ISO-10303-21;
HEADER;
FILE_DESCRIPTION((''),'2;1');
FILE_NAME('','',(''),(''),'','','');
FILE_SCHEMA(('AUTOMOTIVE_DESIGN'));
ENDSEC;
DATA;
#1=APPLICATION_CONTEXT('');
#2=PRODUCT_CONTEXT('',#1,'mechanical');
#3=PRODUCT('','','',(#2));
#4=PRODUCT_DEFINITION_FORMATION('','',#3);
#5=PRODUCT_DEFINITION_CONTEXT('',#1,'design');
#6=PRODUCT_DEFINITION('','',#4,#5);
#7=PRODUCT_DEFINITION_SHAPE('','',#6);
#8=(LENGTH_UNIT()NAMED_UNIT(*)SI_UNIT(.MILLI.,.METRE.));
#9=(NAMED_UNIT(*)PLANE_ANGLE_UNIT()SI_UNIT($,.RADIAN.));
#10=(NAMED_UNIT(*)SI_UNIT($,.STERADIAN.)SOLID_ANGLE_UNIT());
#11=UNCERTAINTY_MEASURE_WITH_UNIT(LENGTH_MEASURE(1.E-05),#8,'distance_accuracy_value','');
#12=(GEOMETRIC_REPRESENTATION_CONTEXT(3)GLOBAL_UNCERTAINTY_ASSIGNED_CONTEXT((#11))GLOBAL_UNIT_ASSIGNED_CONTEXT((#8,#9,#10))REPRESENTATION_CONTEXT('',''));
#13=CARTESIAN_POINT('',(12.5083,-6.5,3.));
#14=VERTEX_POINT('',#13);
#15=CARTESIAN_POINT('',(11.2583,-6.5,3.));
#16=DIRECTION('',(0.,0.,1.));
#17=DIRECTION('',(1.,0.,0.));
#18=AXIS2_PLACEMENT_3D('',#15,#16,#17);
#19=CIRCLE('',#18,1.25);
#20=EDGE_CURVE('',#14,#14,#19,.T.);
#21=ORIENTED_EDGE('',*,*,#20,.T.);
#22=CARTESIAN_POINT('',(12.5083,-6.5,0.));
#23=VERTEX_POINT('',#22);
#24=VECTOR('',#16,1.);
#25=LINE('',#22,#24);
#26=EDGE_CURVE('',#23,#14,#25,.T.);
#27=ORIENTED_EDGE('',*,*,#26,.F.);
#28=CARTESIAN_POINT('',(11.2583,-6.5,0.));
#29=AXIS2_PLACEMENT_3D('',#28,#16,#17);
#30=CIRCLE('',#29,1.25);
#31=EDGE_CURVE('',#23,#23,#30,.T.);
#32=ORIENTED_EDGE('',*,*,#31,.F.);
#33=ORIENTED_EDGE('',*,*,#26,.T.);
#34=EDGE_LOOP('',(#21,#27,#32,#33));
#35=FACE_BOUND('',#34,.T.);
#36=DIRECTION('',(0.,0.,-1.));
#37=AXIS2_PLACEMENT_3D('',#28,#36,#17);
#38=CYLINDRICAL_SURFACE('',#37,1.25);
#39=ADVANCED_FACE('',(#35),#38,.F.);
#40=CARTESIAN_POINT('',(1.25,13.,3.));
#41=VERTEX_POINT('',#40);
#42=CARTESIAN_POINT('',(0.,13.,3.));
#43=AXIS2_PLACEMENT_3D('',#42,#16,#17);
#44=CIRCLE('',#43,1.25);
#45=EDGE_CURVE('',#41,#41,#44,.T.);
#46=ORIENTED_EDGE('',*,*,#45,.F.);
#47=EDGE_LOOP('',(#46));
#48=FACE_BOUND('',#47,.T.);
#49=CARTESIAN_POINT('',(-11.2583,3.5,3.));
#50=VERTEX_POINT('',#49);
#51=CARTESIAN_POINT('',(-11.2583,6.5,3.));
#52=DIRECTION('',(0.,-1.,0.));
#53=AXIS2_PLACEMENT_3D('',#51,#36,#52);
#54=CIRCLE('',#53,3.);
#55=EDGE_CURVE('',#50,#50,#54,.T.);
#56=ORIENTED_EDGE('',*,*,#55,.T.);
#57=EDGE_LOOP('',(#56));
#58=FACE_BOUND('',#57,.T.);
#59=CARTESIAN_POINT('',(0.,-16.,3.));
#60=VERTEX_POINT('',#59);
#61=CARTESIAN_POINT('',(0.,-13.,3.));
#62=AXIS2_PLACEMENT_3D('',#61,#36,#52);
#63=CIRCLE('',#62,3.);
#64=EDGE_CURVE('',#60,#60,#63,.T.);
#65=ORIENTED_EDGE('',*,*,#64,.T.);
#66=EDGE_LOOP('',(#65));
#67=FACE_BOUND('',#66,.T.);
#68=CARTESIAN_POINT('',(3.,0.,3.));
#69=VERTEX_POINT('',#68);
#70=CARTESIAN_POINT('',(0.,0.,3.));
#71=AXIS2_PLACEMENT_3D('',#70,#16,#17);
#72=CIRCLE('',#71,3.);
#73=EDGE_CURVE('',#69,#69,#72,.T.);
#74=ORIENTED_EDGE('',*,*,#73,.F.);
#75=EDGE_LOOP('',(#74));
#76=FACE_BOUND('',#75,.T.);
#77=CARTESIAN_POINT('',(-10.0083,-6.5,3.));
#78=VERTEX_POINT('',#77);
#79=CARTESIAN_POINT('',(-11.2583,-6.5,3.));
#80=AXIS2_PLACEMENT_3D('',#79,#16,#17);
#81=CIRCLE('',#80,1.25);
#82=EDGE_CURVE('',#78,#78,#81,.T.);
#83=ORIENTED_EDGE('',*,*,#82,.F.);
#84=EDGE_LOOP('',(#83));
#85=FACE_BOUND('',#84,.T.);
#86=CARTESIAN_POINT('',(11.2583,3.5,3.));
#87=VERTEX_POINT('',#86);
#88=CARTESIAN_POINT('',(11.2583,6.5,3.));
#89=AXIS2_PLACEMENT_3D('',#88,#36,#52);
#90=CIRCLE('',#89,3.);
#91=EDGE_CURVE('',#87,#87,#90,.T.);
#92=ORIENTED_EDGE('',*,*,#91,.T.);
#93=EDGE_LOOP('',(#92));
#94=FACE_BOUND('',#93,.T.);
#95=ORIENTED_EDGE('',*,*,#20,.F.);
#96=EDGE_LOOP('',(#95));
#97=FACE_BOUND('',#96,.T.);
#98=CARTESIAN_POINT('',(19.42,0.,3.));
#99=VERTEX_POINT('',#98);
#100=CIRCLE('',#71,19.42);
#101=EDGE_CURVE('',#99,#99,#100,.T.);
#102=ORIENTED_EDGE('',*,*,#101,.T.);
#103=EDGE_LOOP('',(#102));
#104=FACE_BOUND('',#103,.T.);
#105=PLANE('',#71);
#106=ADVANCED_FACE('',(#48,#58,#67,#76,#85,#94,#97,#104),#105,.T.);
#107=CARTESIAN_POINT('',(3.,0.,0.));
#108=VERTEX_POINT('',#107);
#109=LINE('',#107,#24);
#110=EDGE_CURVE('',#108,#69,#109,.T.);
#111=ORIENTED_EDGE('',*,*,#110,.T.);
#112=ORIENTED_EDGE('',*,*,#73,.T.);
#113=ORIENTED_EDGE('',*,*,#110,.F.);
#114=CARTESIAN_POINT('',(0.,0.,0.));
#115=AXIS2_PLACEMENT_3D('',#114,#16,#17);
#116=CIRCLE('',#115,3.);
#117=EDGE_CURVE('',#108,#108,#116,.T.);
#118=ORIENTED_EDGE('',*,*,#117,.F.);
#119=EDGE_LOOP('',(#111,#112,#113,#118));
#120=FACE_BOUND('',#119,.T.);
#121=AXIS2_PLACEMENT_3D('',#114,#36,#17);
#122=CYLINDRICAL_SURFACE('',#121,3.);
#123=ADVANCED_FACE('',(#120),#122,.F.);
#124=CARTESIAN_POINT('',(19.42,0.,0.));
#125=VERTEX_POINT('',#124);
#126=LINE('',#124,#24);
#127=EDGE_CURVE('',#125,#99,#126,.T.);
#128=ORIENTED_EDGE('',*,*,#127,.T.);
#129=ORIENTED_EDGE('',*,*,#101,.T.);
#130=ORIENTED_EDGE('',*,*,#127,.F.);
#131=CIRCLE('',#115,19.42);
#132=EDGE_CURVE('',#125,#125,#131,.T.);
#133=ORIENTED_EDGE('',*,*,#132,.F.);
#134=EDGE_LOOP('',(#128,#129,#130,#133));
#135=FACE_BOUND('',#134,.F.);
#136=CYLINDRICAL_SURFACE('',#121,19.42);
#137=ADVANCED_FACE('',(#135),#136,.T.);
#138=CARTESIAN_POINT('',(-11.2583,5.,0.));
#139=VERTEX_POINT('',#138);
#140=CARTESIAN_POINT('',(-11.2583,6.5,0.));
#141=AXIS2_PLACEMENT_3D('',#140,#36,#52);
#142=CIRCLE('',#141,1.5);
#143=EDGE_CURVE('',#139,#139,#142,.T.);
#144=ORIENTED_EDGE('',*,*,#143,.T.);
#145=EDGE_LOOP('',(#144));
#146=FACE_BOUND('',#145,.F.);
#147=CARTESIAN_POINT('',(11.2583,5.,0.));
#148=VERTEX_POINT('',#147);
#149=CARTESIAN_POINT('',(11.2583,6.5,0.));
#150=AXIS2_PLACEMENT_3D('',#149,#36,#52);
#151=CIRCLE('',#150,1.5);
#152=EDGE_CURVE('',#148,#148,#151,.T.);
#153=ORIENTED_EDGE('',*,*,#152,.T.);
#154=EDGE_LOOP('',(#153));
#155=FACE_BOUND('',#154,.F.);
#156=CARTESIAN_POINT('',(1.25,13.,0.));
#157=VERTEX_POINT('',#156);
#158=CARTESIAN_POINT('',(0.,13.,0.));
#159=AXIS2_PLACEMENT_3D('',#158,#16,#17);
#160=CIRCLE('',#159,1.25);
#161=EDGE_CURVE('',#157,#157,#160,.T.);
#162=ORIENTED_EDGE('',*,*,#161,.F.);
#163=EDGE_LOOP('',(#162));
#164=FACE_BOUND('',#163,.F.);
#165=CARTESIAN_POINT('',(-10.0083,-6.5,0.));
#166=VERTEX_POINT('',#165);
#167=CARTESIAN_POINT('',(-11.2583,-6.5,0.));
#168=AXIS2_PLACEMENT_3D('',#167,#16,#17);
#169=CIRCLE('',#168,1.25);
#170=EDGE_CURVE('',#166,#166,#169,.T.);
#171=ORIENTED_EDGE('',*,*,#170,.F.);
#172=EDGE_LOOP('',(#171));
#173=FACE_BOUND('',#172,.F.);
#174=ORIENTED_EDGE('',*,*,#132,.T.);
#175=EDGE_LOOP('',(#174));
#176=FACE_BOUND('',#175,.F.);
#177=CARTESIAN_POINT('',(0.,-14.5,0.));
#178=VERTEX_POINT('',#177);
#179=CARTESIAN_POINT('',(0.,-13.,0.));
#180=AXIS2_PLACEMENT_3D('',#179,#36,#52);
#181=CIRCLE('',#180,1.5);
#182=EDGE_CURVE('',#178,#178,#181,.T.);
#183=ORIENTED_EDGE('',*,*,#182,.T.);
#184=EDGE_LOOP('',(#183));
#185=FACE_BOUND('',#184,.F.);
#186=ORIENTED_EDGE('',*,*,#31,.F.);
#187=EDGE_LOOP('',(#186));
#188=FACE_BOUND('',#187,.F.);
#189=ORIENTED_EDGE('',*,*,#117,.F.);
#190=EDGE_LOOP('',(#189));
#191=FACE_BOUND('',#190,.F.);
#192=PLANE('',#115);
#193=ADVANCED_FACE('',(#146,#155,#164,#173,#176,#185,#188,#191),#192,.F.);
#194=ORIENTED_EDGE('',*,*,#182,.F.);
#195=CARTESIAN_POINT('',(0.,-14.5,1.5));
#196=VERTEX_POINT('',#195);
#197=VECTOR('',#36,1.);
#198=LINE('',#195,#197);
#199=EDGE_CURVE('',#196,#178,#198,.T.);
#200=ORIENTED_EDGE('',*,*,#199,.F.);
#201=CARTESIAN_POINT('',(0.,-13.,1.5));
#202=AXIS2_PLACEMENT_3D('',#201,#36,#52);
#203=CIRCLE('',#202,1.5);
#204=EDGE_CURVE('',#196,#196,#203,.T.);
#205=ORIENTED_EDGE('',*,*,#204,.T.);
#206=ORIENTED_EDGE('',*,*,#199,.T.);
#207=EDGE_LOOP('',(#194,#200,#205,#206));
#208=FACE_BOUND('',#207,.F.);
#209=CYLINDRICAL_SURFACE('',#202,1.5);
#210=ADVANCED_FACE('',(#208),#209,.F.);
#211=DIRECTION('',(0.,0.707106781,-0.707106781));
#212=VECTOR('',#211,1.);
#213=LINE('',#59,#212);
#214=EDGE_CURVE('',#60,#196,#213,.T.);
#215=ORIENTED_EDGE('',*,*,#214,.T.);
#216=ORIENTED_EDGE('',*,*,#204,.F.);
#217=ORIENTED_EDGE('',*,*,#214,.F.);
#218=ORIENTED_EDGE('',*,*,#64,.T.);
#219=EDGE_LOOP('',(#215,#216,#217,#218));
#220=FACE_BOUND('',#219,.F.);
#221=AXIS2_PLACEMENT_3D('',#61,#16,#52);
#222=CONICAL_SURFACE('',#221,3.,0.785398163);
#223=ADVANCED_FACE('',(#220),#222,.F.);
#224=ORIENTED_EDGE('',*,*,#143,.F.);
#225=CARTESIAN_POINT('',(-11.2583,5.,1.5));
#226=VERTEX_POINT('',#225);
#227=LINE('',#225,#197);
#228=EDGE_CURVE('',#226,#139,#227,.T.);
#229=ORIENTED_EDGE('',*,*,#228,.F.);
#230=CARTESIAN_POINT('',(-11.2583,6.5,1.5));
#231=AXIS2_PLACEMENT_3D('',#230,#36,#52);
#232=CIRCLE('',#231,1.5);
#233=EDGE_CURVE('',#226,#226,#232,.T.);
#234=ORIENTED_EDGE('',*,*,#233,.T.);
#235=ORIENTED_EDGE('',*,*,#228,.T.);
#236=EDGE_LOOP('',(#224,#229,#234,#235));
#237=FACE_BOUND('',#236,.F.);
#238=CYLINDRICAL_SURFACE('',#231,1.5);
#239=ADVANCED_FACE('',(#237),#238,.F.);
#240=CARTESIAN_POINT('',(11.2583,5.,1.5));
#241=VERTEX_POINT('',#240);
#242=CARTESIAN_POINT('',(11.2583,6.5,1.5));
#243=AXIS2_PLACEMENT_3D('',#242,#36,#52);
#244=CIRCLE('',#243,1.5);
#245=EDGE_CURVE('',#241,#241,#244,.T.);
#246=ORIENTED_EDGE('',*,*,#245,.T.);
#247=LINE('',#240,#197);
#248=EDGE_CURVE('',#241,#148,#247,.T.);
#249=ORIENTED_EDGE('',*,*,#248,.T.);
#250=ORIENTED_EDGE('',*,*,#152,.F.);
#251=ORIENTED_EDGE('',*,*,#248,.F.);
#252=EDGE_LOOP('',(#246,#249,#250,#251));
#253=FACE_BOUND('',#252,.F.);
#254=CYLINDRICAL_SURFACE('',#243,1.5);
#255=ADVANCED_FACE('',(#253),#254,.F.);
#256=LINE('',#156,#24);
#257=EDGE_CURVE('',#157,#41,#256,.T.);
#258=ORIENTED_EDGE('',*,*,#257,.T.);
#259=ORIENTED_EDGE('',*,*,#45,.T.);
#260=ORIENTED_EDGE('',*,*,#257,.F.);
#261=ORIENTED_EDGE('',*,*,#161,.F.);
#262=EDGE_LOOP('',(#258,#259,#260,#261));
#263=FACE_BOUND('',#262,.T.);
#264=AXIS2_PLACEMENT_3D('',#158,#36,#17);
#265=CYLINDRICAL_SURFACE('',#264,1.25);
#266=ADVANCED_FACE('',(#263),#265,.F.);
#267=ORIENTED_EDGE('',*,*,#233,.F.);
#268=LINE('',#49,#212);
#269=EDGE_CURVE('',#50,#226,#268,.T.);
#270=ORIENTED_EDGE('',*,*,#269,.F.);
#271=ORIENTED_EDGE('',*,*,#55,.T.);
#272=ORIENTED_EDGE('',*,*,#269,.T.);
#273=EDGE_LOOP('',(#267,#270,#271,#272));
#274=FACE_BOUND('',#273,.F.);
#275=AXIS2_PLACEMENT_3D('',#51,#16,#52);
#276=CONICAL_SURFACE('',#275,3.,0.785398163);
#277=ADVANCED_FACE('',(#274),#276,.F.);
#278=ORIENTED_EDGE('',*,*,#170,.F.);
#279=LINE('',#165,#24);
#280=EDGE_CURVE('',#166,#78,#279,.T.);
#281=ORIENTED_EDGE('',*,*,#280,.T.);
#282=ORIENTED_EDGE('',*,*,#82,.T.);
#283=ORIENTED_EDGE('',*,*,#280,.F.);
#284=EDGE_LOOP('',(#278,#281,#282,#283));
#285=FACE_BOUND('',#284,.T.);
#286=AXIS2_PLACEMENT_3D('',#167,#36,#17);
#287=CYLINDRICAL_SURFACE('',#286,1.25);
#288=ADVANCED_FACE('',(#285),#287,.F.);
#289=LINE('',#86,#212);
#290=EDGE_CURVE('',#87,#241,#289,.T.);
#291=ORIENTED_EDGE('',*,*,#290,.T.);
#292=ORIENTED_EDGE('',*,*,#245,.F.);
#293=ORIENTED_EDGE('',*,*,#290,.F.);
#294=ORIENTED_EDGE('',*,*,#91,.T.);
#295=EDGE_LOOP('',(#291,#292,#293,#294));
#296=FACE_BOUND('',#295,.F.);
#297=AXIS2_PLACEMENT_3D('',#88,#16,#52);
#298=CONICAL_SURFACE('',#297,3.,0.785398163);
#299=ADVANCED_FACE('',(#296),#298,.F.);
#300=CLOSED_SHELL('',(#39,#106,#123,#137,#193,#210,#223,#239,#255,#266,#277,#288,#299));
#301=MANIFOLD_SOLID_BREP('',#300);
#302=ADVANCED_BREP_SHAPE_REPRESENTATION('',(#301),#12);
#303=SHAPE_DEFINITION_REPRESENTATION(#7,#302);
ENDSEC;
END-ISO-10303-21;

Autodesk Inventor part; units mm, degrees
ref_plane "YZ Plane" through (0, 0, 0) normal (1, 0, 0) x (0, 1, 0)
ref_plane "XZ Plane" through (0, 0, 0) normal (0, 1, 0) x (-1, 0, 0)
ref_plane "XY Plane" through (0, 0, 0) normal (0, 0, 1) x (1, 0, 0)
sketch "Skizze1" plane through (0, 0, 0) normal (0, 0, 1) x (1, 0, 0)
  circle A0 centre (0, 13) radius 1.25 projected
  circle A1 centre (0, -13) radius 1.25 projected
  circle A2 centre (11.2583, 6.5) radius 1.25 projected
  circle A3 centre (11.2583, -6.5) radius 1.25 projected
  circle A4 centre (-11.2583, 6.5) radius 1.25 projected
  circle A5 centre (-11.2583, -6.5) radius 1.25 projected
  arc A6 (-8.7265, -12.2003) -> (-6.2025, -13.6575) centre (0, 0) ccw projected
  arc A7 (-8.9067, -9.0923) -> (-8.7265, -12.2003) centre (-7.563, -10.5736) ccw projected
  arc A8 (-8.9067, -9.0923) -> (-12.3275, -3.1673) centre (-11.2583, -6.5) ccw projected
  arc A9 (-14.929, -1.4572) -> (-12.3275, -3.1673) centre (-12.9385, -1.2629) ccw projected
  arc A10 (-14.929, 1.4572) -> (-14.929, -1.4572) centre (0, 0) ccw projected
  arc A11 (-12.3275, 3.1673) -> (-14.929, 1.4572) centre (-12.9385, 1.2629) ccw projected
  arc A12 (-12.3275, 3.1673) -> (-8.9067, 9.0923) centre (-11.2583, 6.5) ccw projected
  arc A13 (-8.7265, 12.2003) -> (-8.9067, 9.0923) centre (-7.563, 10.5736) ccw projected
  arc A14 (-6.2025, 13.6575) -> (-8.7265, 12.2003) centre (0, 0) ccw projected
  arc A15 (-3.4208, 12.2596) -> (-6.2025, 13.6575) centre (-5.3755, 11.8365) ccw projected
  arc A16 (-3.4208, 12.2596) -> (3.4208, 12.2596) centre (0, 13) ccw projected
  arc A17 (6.2025, 13.6575) -> (3.4208, 12.2596) centre (5.3755, 11.8365) ccw projected
  arc A18 (8.7265, 12.2003) -> (6.2025, 13.6575) centre (0, 0) ccw projected
  arc A19 (8.9067, 9.0923) -> (8.7265, 12.2003) centre (7.563, 10.5736) ccw projected
  arc A20 (8.9067, 9.0923) -> (12.3275, 3.1673) centre (11.2583, 6.5) ccw projected
  arc A21 (14.929, 1.4572) -> (12.3275, 3.1673) centre (12.9385, 1.2629) ccw projected
  arc A22 (14.929, -1.4572) -> (14.929, 1.4572) centre (0, 0) ccw projected
  arc A23 (12.3275, -3.1673) -> (14.929, -1.4572) centre (12.9385, -1.2629) ccw projected
  arc A24 (12.3275, -3.1673) -> (8.9067, -9.0923) centre (11.2583, -6.5) ccw projected
  arc A25 (8.7265, -12.2003) -> (8.9067, -9.0923) centre (7.563, -10.5736) ccw projected
  arc A26 (6.2025, -13.6575) -> (8.7265, -12.2003) centre (0, 0) ccw projected
  arc A27 (3.4208, -12.2596) -> (6.2025, -13.6575) centre (5.3755, -11.8365) ccw projected
  arc A28 (3.4208, -12.2596) -> (-3.4208, -12.2596) centre (0, -13) ccw projected
  arc A29 (-6.2025, -13.6575) -> (-3.4208, -12.2596) centre (-5.3755, -11.8365) ccw projected
  circle A30 centre (0, 0) radius 17.5 projected
  circle A31 centre (0, 0) radius 19.42 projected
  circle A32 centre (0, 0) radius 3
  point P0 (0, 0)
  dimension "d0" = 6
extrude "Extrusion1" add sketch "Skizze1" along normal blind 3 contours A7 A8 A9 A10 A11 A12 A13 A14 A15 A16 A17 A18 A19 A20 A21 A22 A23 A24 A25 A26 A27 A28 A29 A6 | A30 | A31
sketch "Skizze2" plane through (0, 0, 3) normal (0, 0, 1) x (1, 0, 0)
  circle A0 centre (0, 0) radius 3 projected
  circle A1 centre (-11.2583, -6.5) radius 1.25 projected
  circle A2 centre (-11.2583, 6.5) radius 1.25 projected
  circle A3 centre (11.2583, -6.5) radius 1.25 projected
  circle A4 centre (11.2583, 6.5) radius 1.25 projected
  circle A5 centre (0, -13) radius 1.25 projected
  circle A6 centre (0, 13) radius 1.25 projected
  circle A7 centre (0, 0) radius 19.42 projected
  point P0 (0, 0)
hole "Bohrung1" at (-11.2583, 6.5, 3) at (0, -13, 3) at (11.2583, 6.5, 3) direction (0, 0, -1) diameter 3 end through all countersink diameter 6 countersink angle 90
properties part number "GripperMountCover" material "ABS-Kunststoff"
